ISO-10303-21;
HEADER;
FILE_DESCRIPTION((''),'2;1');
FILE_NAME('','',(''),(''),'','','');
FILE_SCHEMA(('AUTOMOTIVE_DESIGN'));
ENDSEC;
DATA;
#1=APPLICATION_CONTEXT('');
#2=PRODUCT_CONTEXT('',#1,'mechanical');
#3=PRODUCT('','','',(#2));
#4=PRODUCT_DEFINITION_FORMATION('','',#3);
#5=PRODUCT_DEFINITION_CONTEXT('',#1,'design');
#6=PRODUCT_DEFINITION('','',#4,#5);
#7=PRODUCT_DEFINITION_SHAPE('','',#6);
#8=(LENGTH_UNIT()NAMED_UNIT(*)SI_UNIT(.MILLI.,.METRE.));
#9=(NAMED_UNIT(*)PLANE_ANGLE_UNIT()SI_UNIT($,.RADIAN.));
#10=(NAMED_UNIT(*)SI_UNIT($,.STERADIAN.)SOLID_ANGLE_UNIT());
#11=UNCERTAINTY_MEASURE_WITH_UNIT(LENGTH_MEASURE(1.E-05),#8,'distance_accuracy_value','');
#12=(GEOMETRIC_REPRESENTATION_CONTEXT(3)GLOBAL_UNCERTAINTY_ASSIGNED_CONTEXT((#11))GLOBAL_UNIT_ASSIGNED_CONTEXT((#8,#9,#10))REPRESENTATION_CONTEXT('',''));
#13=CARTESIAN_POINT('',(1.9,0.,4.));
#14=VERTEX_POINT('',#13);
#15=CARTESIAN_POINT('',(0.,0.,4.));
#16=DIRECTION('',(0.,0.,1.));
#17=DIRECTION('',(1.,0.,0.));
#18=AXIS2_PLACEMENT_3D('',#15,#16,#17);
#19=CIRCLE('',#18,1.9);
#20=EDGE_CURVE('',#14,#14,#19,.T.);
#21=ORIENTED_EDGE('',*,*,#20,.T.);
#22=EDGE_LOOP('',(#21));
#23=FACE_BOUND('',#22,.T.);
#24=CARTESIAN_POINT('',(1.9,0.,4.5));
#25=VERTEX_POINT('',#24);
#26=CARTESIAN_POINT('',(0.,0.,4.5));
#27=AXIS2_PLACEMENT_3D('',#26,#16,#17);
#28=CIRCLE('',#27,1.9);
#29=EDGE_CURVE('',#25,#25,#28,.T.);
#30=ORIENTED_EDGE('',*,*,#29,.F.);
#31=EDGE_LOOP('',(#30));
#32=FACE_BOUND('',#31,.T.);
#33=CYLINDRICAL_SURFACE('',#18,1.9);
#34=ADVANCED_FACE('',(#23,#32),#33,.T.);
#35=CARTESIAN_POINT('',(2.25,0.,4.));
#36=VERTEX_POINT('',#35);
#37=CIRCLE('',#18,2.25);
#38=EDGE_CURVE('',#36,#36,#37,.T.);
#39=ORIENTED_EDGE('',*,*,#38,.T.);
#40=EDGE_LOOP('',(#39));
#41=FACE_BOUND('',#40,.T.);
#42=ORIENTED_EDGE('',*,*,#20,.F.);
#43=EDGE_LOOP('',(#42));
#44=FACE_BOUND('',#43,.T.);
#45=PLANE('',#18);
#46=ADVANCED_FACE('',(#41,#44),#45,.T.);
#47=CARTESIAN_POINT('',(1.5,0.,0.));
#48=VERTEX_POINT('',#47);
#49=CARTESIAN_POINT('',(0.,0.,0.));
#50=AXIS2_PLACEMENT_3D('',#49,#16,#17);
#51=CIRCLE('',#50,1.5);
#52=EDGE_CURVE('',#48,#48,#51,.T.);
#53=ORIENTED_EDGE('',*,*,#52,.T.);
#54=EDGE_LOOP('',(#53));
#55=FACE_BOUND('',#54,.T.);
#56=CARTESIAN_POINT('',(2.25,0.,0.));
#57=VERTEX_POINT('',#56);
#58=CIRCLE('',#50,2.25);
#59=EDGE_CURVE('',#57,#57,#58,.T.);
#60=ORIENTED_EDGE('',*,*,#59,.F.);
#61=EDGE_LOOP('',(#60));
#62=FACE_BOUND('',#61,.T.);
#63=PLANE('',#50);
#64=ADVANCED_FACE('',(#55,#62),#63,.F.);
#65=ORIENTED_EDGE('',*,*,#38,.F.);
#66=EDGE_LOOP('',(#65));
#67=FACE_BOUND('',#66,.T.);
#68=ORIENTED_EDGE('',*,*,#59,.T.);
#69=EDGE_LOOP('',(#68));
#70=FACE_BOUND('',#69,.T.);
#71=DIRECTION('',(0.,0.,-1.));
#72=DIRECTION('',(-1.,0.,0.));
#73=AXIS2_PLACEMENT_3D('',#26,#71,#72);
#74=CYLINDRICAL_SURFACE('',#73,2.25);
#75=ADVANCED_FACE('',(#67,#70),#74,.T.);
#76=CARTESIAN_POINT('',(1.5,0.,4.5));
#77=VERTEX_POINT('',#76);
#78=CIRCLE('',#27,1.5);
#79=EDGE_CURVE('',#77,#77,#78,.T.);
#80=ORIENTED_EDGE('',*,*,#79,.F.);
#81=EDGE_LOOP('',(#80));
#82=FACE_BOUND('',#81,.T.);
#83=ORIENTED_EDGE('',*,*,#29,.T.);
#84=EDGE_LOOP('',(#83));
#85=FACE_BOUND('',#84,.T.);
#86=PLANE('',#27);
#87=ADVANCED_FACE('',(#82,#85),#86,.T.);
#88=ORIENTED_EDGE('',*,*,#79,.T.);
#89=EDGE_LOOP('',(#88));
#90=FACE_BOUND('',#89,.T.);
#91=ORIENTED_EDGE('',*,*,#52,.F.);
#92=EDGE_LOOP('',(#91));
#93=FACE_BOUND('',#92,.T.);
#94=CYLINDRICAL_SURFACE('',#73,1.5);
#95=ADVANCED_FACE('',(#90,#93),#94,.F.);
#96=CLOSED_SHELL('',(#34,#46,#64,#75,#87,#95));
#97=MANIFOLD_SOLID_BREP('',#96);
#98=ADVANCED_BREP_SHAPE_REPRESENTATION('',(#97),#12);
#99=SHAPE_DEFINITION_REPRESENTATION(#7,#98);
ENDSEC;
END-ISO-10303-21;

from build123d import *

# Parameters (mm, degrees)
SKETCH_1_R          = 2.25
SKETCH_1_R_2        = 1.5
EXTRUDE_1_DEPTH     = 4.5
CUT_EXTRUDE_START   = -0.5
SKETCH_2_R          = 2.25
SKETCH_2_R_2        = 1.9
CUT_EXTRUDE_1_DEPTH = 0.5


with BuildPart() as part:
    # 草图1 → 凸台-拉伸1 (new body)
    with BuildSketch(Plane.XY):
        Circle(SKETCH_1_R)
        Circle(SKETCH_1_R_2, mode=Mode.SUBTRACT)
    extrude(amount=EXTRUDE_1_DEPTH)

    # 草图2 → 切除-拉伸1 (cut)
    with BuildSketch(Plane.XY.offset(4.5).offset(CUT_EXTRUDE_START)):
        Circle(SKETCH_2_R)
        Circle(SKETCH_2_R_2, mode=Mode.SUBTRACT)
    extrude(amount=CUT_EXTRUDE_1_DEPTH, mode=Mode.SUBTRACT)


solid = part.part
